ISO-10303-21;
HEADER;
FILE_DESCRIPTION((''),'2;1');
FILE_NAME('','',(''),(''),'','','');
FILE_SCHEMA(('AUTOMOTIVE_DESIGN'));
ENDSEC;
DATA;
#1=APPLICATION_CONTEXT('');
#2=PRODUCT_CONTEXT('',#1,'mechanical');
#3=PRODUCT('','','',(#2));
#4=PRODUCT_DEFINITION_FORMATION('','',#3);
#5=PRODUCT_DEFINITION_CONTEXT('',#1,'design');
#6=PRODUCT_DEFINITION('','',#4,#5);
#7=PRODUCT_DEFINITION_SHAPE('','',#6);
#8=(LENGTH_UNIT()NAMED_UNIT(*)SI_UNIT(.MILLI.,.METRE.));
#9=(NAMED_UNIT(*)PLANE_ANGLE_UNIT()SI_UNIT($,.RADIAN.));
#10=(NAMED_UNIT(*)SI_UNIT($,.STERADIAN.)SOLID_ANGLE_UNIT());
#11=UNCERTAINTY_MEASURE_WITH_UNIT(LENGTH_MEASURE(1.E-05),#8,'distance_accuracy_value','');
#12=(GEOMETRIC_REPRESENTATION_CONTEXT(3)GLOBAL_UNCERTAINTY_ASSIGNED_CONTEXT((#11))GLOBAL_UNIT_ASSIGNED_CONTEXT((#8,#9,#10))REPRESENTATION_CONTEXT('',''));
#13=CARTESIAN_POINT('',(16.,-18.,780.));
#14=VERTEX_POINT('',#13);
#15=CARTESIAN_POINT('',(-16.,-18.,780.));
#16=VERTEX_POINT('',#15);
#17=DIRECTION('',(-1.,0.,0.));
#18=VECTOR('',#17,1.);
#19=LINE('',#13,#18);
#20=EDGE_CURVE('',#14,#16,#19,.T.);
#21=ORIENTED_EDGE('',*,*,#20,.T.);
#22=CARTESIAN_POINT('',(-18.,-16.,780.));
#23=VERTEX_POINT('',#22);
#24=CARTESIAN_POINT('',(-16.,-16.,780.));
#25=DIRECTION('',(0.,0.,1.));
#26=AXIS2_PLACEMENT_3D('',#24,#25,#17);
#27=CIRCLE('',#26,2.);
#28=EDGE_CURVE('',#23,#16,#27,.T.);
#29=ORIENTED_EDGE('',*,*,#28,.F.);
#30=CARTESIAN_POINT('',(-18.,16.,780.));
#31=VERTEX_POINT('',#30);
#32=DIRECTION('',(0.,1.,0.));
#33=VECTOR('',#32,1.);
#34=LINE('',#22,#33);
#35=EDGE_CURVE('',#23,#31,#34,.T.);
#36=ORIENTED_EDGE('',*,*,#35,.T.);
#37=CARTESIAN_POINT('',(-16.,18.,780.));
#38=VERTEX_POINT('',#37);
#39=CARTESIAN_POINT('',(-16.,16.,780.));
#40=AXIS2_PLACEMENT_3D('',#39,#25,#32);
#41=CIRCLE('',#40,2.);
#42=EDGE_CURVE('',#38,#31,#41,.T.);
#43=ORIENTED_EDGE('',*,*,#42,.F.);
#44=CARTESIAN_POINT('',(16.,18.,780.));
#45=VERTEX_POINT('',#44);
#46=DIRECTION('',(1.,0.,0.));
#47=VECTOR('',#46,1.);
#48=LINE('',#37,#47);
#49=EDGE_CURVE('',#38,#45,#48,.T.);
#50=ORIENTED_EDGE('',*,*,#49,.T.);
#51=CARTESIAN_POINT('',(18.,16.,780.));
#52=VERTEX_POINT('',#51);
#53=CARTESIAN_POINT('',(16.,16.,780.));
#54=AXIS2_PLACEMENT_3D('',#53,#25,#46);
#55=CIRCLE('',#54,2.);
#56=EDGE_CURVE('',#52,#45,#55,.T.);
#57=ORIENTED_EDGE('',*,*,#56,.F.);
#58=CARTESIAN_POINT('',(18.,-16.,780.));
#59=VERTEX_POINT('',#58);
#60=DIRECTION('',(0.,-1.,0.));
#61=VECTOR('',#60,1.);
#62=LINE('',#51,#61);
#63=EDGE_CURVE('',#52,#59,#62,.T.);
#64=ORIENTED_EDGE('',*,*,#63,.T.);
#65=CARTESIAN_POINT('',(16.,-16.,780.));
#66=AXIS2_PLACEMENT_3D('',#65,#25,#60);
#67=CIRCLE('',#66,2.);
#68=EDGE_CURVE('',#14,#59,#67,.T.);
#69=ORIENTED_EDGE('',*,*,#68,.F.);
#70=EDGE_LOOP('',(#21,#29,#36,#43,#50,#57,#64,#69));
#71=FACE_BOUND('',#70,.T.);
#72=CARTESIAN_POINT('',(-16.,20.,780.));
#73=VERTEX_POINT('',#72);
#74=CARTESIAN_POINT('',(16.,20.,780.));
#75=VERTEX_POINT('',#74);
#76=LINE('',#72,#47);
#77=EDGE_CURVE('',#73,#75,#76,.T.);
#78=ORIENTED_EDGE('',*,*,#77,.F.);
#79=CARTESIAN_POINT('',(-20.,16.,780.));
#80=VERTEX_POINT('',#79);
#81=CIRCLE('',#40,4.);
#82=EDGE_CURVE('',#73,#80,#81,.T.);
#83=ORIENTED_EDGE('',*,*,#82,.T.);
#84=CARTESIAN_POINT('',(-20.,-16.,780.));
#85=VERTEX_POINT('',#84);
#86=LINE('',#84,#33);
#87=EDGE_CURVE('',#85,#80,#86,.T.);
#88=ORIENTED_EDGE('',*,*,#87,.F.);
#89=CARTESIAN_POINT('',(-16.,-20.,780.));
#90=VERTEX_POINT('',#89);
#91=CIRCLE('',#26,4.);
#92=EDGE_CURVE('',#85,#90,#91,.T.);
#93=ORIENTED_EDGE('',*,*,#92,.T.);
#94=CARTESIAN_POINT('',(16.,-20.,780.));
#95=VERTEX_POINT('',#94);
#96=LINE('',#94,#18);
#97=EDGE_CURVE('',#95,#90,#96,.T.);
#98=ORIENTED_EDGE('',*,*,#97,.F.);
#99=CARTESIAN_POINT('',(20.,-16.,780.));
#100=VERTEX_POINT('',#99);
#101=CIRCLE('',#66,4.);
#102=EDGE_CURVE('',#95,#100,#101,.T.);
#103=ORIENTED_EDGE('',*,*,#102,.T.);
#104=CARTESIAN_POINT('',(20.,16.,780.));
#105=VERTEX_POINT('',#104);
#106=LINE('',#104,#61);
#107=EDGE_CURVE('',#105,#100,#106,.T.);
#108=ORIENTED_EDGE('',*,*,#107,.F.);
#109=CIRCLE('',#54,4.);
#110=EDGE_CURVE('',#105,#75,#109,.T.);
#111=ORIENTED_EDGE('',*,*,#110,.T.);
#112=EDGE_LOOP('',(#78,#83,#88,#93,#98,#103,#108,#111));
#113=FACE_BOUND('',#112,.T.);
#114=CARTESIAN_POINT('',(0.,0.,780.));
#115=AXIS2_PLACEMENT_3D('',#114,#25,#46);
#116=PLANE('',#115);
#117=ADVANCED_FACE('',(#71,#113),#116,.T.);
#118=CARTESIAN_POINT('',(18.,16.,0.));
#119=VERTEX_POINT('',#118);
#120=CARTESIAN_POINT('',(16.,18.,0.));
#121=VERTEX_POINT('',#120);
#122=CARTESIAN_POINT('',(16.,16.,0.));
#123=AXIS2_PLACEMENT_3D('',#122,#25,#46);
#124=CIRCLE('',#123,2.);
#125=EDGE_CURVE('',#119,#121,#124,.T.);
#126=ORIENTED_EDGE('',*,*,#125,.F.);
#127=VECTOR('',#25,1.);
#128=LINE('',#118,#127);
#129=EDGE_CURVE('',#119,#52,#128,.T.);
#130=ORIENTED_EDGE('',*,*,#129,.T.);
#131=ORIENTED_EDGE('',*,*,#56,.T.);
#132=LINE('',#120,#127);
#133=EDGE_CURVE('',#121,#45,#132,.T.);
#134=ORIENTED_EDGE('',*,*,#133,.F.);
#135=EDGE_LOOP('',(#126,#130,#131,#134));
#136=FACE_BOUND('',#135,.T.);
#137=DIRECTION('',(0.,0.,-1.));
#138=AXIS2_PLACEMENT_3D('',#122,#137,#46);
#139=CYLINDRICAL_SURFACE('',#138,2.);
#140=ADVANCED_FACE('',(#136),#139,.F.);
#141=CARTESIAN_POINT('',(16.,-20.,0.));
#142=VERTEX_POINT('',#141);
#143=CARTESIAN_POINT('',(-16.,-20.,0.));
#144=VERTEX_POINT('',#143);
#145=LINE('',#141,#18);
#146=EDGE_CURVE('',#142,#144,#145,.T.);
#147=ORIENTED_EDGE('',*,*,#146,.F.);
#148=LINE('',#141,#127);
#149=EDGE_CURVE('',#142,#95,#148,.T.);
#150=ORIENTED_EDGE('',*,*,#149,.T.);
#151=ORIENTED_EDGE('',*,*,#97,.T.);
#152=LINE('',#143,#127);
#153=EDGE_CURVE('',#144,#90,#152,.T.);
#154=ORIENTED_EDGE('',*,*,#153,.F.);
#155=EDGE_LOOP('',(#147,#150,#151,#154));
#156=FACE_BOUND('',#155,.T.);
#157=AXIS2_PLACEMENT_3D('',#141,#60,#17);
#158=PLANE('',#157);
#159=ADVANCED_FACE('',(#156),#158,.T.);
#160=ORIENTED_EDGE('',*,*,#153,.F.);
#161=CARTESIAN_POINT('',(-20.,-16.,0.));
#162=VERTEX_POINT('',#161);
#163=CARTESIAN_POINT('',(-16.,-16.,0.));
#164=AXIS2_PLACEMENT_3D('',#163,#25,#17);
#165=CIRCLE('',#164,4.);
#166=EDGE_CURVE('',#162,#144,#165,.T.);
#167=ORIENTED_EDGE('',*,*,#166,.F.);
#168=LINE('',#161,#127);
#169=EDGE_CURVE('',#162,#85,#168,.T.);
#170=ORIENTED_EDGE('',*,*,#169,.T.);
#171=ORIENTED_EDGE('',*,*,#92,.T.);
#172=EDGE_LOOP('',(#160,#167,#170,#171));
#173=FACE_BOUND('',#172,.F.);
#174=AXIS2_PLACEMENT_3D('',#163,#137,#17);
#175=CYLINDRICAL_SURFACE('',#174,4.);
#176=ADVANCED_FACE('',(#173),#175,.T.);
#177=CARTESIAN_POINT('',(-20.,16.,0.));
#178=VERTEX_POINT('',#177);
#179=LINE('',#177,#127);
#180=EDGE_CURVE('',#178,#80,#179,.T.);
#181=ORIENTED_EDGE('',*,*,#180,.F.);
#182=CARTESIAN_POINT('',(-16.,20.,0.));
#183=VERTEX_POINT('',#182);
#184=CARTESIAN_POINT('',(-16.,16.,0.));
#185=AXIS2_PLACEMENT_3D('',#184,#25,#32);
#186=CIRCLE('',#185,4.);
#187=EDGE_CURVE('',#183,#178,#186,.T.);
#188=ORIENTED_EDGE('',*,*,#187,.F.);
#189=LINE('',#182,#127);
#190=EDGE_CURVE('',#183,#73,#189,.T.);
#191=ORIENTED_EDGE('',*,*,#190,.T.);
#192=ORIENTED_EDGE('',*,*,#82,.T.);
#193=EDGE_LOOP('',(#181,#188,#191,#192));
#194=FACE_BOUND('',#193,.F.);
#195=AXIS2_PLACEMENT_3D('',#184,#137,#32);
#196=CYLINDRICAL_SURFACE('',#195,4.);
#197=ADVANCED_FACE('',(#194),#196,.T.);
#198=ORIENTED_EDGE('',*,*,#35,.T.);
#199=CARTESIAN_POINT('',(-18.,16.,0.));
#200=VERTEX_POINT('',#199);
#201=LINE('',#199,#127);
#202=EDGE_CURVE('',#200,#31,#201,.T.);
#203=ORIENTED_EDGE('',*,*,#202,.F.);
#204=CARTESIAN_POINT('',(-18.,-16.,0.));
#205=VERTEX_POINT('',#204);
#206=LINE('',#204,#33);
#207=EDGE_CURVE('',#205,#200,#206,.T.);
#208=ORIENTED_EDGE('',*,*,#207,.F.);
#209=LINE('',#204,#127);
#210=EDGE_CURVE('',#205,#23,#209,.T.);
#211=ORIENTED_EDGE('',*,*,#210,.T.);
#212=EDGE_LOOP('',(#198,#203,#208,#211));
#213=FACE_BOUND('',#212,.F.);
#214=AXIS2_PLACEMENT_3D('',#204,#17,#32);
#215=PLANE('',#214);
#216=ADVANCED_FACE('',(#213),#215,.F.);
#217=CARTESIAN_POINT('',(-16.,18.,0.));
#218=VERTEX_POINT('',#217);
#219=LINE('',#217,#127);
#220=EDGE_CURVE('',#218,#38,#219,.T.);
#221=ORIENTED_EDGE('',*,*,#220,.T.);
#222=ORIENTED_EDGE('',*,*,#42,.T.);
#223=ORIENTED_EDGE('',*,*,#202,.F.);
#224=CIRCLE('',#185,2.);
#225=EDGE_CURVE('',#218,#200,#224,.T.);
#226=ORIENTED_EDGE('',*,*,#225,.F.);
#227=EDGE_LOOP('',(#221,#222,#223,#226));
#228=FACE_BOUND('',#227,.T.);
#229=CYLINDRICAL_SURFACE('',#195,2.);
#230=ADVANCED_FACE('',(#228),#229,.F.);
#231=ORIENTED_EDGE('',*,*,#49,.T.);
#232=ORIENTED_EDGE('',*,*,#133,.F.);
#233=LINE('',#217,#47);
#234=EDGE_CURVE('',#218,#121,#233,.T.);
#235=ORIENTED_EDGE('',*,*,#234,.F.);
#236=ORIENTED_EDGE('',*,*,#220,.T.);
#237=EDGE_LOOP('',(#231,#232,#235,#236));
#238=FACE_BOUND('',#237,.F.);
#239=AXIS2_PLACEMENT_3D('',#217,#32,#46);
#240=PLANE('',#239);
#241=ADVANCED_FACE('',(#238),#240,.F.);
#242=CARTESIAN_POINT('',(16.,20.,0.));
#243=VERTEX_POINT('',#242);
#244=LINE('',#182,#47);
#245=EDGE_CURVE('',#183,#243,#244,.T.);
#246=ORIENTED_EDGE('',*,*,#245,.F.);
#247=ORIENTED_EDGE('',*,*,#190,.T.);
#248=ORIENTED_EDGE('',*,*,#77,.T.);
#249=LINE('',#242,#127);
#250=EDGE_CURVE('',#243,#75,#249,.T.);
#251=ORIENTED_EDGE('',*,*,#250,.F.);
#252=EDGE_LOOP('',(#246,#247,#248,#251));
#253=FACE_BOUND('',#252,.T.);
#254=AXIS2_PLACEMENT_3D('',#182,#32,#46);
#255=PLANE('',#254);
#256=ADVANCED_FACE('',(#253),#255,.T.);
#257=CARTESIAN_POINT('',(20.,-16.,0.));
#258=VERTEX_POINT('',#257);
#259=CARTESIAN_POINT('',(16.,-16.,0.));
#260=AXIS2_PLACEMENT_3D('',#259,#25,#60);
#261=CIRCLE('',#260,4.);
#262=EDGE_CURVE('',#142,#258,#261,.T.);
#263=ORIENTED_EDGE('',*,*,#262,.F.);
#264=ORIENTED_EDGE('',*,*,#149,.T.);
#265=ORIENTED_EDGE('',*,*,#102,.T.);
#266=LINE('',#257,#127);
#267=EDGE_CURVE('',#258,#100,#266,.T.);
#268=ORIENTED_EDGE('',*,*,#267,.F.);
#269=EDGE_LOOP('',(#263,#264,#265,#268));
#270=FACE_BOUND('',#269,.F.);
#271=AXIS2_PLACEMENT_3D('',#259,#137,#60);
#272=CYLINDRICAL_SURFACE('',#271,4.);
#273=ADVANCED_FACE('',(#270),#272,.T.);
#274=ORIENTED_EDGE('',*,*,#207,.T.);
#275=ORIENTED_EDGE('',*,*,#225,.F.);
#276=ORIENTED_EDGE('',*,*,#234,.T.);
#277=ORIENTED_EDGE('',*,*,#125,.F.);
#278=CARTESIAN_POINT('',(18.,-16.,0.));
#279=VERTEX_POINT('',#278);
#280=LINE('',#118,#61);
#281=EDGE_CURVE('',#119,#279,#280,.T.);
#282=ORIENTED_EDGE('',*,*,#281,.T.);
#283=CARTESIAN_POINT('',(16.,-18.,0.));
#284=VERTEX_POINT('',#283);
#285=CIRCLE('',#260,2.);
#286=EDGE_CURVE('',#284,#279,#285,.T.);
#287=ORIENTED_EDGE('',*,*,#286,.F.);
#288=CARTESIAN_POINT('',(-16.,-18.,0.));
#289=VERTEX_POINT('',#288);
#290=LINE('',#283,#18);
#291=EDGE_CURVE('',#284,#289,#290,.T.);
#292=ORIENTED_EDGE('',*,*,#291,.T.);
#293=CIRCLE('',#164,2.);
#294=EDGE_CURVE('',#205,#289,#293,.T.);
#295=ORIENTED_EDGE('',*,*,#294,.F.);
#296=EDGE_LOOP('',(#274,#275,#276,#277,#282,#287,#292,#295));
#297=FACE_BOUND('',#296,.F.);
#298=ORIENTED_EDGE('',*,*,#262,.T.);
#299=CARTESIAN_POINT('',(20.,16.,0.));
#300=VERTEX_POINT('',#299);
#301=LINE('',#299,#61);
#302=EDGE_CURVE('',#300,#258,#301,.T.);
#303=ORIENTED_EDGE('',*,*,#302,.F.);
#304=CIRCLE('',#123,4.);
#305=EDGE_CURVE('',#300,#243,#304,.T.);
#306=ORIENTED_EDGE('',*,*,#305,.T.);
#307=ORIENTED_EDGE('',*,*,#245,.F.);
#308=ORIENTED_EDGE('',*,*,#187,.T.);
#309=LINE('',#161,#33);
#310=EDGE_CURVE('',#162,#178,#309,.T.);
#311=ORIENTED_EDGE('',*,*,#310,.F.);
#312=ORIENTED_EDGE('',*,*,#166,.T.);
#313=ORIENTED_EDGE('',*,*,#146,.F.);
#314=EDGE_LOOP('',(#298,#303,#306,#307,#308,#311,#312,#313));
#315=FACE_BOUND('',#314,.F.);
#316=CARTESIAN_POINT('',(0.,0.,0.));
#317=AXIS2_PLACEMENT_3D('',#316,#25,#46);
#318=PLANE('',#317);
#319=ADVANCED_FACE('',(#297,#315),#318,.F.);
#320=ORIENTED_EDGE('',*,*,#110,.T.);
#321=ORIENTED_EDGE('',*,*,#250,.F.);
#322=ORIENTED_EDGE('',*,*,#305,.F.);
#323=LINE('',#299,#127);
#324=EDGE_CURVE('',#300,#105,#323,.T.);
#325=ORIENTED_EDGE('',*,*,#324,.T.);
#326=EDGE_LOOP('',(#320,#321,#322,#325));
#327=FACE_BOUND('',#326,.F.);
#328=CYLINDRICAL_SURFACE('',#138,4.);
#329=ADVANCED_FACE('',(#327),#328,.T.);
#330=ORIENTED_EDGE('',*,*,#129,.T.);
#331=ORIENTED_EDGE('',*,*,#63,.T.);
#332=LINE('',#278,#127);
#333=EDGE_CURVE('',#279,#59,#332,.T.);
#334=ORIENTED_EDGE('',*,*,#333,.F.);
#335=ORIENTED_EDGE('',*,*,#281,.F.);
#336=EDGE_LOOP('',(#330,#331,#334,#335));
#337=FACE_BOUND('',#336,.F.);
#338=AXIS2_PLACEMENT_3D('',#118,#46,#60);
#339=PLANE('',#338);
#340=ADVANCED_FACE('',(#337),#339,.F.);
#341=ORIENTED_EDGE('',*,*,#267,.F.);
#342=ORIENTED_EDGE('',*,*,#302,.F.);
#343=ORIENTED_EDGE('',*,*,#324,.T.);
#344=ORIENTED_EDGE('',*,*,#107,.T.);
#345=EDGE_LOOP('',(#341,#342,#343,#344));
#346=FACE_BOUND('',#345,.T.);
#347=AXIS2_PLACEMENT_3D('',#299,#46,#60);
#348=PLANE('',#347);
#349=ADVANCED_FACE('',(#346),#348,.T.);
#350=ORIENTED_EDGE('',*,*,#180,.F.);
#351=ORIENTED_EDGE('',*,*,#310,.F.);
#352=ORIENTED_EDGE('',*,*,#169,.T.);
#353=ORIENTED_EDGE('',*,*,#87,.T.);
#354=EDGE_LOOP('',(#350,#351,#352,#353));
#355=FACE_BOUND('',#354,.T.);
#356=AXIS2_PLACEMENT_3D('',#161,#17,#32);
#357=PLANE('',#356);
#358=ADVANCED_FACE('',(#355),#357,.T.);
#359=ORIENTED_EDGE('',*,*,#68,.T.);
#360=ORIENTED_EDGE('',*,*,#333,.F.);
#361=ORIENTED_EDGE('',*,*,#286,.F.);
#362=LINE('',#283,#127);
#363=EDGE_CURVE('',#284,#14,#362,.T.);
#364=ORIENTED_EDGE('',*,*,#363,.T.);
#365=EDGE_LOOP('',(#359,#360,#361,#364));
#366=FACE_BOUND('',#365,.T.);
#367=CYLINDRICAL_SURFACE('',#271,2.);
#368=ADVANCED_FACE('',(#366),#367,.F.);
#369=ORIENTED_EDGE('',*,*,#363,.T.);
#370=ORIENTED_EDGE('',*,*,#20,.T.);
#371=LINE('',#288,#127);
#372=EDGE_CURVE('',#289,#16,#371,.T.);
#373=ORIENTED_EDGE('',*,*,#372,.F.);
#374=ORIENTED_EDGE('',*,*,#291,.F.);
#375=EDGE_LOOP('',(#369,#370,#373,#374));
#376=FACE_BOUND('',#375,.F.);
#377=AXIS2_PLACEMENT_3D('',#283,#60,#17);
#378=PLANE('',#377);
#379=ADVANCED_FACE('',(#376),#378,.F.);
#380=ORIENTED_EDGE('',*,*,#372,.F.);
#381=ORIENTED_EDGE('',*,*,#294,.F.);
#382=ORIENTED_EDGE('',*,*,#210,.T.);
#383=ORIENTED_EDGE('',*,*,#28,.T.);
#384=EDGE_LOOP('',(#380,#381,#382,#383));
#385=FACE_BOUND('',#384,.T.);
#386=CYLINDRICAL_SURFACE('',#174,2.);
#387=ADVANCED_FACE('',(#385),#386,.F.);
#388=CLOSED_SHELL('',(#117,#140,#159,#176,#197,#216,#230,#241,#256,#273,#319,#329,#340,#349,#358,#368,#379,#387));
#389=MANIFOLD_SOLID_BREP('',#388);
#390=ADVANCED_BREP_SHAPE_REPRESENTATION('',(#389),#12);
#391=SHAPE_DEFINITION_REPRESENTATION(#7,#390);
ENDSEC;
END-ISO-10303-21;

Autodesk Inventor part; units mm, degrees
ref_plane "Start Plane" through (0, 0, 0) normal (0, 0, 1) x (1, 0, 0)
ref_plane "End Plane" through (0, 0, 780) normal (0, 0, 1) x (1, 0, 0)
sketch "Sketch" plane through (0, 0, 0) normal (0, 0, 1) x (1, 0, 0)
  line L0 (-20, -16) -> (-20, 16)
  line L1 (-16, 20) -> (16, 20)
  line L2 (20, 16) -> (20, -16)
  line L3 (16, -20) -> (-16, -20)
  arc A0 (-20, -16) -> (-16, -20) centre (-16, -16) ccw
  arc A1 (20, 16) -> (16, 20) centre (16, 16) ccw
  arc A2 (-16, 20) -> (-20, 16) centre (-16, 16) ccw
  arc A3 (16, -20) -> (20, -16) centre (16, -16) ccw
  arc A4 (-16, 18) -> (-18, 16) centre (-16, 16) ccw
  line L4 (-16, 18) -> (16, 18)
  arc A5 (18, 16) -> (16, 18) centre (16, 16) ccw
  line L5 (18, 16) -> (18, -16)
  arc A6 (16, -18) -> (18, -16) centre (16, -16) ccw
  line L6 (16, -18) -> (-16, -18)
  arc A7 (-18, -16) -> (-16, -18) centre (-16, -16) ccw
  line L7 (-18, -16) -> (-18, 16)
  line L8 (0, 29.1598) -> (0, -29.1598) construction
  line L9 (-29.1598, 0) -> (29.1598, 0) construction
  dimension "d7" = 4
  dimension "d9" = 40
  dimension "d11" = 40
  dimension "d12" = 2
  dimension "d15" = 20
  dimension "d16" = 20
extrude "Body" add sketch "Sketch" along normal up to surface (780 mm away) from surface at 0
sketch "Sketch3" plane through (0, 0, 0) normal (0, 0, 1) x (1, 0, 0)
  line L0 (0, 0) -> (10, 0)
ref_plane "Work Plane3" through (0, 0, 0) normal (0, -1, 0) x (1, 0, 0)
sketch "Sketch4" plane through (0, 0, 0) normal (0, -1, 0) x (1, 0, 0)
  line L0 (-2, 0) -> (12, 0)
  line L1 (-2, 780) -> (12, 780)
  dimension "d18" = 780
ref_plane "Work Plane4" through (1192, -13.8564, 780) normal (0, 0, 1) x (1, 0, 0)
split "Split1" plane through (1192, -13.8564, 780) removes the side toward (0, 0, 1)
equation "\"d7\" = G_IR"
equation "\"d9\" = G_W"
equation "\"d11\" = G_H"
equation "\"d12\" = G_T"
equation "\"d15\" = 0.5 * d9"
equation "\"d16\" = 0.5 * d11"
equation "\"d3\" = G_L"
equation "\"G_W\" = 40"
equation "\"G_H\" = 40"
equation "\"G_T\" = 2"
equation "\"G_IR\" = 4"
equation "\"G_L\" = d18"
equation "\"G_OFFSET_START\" = 0"
properties part number "ISO 10799-2 - 40x40x2 - 780" material "Steel, Mild"
